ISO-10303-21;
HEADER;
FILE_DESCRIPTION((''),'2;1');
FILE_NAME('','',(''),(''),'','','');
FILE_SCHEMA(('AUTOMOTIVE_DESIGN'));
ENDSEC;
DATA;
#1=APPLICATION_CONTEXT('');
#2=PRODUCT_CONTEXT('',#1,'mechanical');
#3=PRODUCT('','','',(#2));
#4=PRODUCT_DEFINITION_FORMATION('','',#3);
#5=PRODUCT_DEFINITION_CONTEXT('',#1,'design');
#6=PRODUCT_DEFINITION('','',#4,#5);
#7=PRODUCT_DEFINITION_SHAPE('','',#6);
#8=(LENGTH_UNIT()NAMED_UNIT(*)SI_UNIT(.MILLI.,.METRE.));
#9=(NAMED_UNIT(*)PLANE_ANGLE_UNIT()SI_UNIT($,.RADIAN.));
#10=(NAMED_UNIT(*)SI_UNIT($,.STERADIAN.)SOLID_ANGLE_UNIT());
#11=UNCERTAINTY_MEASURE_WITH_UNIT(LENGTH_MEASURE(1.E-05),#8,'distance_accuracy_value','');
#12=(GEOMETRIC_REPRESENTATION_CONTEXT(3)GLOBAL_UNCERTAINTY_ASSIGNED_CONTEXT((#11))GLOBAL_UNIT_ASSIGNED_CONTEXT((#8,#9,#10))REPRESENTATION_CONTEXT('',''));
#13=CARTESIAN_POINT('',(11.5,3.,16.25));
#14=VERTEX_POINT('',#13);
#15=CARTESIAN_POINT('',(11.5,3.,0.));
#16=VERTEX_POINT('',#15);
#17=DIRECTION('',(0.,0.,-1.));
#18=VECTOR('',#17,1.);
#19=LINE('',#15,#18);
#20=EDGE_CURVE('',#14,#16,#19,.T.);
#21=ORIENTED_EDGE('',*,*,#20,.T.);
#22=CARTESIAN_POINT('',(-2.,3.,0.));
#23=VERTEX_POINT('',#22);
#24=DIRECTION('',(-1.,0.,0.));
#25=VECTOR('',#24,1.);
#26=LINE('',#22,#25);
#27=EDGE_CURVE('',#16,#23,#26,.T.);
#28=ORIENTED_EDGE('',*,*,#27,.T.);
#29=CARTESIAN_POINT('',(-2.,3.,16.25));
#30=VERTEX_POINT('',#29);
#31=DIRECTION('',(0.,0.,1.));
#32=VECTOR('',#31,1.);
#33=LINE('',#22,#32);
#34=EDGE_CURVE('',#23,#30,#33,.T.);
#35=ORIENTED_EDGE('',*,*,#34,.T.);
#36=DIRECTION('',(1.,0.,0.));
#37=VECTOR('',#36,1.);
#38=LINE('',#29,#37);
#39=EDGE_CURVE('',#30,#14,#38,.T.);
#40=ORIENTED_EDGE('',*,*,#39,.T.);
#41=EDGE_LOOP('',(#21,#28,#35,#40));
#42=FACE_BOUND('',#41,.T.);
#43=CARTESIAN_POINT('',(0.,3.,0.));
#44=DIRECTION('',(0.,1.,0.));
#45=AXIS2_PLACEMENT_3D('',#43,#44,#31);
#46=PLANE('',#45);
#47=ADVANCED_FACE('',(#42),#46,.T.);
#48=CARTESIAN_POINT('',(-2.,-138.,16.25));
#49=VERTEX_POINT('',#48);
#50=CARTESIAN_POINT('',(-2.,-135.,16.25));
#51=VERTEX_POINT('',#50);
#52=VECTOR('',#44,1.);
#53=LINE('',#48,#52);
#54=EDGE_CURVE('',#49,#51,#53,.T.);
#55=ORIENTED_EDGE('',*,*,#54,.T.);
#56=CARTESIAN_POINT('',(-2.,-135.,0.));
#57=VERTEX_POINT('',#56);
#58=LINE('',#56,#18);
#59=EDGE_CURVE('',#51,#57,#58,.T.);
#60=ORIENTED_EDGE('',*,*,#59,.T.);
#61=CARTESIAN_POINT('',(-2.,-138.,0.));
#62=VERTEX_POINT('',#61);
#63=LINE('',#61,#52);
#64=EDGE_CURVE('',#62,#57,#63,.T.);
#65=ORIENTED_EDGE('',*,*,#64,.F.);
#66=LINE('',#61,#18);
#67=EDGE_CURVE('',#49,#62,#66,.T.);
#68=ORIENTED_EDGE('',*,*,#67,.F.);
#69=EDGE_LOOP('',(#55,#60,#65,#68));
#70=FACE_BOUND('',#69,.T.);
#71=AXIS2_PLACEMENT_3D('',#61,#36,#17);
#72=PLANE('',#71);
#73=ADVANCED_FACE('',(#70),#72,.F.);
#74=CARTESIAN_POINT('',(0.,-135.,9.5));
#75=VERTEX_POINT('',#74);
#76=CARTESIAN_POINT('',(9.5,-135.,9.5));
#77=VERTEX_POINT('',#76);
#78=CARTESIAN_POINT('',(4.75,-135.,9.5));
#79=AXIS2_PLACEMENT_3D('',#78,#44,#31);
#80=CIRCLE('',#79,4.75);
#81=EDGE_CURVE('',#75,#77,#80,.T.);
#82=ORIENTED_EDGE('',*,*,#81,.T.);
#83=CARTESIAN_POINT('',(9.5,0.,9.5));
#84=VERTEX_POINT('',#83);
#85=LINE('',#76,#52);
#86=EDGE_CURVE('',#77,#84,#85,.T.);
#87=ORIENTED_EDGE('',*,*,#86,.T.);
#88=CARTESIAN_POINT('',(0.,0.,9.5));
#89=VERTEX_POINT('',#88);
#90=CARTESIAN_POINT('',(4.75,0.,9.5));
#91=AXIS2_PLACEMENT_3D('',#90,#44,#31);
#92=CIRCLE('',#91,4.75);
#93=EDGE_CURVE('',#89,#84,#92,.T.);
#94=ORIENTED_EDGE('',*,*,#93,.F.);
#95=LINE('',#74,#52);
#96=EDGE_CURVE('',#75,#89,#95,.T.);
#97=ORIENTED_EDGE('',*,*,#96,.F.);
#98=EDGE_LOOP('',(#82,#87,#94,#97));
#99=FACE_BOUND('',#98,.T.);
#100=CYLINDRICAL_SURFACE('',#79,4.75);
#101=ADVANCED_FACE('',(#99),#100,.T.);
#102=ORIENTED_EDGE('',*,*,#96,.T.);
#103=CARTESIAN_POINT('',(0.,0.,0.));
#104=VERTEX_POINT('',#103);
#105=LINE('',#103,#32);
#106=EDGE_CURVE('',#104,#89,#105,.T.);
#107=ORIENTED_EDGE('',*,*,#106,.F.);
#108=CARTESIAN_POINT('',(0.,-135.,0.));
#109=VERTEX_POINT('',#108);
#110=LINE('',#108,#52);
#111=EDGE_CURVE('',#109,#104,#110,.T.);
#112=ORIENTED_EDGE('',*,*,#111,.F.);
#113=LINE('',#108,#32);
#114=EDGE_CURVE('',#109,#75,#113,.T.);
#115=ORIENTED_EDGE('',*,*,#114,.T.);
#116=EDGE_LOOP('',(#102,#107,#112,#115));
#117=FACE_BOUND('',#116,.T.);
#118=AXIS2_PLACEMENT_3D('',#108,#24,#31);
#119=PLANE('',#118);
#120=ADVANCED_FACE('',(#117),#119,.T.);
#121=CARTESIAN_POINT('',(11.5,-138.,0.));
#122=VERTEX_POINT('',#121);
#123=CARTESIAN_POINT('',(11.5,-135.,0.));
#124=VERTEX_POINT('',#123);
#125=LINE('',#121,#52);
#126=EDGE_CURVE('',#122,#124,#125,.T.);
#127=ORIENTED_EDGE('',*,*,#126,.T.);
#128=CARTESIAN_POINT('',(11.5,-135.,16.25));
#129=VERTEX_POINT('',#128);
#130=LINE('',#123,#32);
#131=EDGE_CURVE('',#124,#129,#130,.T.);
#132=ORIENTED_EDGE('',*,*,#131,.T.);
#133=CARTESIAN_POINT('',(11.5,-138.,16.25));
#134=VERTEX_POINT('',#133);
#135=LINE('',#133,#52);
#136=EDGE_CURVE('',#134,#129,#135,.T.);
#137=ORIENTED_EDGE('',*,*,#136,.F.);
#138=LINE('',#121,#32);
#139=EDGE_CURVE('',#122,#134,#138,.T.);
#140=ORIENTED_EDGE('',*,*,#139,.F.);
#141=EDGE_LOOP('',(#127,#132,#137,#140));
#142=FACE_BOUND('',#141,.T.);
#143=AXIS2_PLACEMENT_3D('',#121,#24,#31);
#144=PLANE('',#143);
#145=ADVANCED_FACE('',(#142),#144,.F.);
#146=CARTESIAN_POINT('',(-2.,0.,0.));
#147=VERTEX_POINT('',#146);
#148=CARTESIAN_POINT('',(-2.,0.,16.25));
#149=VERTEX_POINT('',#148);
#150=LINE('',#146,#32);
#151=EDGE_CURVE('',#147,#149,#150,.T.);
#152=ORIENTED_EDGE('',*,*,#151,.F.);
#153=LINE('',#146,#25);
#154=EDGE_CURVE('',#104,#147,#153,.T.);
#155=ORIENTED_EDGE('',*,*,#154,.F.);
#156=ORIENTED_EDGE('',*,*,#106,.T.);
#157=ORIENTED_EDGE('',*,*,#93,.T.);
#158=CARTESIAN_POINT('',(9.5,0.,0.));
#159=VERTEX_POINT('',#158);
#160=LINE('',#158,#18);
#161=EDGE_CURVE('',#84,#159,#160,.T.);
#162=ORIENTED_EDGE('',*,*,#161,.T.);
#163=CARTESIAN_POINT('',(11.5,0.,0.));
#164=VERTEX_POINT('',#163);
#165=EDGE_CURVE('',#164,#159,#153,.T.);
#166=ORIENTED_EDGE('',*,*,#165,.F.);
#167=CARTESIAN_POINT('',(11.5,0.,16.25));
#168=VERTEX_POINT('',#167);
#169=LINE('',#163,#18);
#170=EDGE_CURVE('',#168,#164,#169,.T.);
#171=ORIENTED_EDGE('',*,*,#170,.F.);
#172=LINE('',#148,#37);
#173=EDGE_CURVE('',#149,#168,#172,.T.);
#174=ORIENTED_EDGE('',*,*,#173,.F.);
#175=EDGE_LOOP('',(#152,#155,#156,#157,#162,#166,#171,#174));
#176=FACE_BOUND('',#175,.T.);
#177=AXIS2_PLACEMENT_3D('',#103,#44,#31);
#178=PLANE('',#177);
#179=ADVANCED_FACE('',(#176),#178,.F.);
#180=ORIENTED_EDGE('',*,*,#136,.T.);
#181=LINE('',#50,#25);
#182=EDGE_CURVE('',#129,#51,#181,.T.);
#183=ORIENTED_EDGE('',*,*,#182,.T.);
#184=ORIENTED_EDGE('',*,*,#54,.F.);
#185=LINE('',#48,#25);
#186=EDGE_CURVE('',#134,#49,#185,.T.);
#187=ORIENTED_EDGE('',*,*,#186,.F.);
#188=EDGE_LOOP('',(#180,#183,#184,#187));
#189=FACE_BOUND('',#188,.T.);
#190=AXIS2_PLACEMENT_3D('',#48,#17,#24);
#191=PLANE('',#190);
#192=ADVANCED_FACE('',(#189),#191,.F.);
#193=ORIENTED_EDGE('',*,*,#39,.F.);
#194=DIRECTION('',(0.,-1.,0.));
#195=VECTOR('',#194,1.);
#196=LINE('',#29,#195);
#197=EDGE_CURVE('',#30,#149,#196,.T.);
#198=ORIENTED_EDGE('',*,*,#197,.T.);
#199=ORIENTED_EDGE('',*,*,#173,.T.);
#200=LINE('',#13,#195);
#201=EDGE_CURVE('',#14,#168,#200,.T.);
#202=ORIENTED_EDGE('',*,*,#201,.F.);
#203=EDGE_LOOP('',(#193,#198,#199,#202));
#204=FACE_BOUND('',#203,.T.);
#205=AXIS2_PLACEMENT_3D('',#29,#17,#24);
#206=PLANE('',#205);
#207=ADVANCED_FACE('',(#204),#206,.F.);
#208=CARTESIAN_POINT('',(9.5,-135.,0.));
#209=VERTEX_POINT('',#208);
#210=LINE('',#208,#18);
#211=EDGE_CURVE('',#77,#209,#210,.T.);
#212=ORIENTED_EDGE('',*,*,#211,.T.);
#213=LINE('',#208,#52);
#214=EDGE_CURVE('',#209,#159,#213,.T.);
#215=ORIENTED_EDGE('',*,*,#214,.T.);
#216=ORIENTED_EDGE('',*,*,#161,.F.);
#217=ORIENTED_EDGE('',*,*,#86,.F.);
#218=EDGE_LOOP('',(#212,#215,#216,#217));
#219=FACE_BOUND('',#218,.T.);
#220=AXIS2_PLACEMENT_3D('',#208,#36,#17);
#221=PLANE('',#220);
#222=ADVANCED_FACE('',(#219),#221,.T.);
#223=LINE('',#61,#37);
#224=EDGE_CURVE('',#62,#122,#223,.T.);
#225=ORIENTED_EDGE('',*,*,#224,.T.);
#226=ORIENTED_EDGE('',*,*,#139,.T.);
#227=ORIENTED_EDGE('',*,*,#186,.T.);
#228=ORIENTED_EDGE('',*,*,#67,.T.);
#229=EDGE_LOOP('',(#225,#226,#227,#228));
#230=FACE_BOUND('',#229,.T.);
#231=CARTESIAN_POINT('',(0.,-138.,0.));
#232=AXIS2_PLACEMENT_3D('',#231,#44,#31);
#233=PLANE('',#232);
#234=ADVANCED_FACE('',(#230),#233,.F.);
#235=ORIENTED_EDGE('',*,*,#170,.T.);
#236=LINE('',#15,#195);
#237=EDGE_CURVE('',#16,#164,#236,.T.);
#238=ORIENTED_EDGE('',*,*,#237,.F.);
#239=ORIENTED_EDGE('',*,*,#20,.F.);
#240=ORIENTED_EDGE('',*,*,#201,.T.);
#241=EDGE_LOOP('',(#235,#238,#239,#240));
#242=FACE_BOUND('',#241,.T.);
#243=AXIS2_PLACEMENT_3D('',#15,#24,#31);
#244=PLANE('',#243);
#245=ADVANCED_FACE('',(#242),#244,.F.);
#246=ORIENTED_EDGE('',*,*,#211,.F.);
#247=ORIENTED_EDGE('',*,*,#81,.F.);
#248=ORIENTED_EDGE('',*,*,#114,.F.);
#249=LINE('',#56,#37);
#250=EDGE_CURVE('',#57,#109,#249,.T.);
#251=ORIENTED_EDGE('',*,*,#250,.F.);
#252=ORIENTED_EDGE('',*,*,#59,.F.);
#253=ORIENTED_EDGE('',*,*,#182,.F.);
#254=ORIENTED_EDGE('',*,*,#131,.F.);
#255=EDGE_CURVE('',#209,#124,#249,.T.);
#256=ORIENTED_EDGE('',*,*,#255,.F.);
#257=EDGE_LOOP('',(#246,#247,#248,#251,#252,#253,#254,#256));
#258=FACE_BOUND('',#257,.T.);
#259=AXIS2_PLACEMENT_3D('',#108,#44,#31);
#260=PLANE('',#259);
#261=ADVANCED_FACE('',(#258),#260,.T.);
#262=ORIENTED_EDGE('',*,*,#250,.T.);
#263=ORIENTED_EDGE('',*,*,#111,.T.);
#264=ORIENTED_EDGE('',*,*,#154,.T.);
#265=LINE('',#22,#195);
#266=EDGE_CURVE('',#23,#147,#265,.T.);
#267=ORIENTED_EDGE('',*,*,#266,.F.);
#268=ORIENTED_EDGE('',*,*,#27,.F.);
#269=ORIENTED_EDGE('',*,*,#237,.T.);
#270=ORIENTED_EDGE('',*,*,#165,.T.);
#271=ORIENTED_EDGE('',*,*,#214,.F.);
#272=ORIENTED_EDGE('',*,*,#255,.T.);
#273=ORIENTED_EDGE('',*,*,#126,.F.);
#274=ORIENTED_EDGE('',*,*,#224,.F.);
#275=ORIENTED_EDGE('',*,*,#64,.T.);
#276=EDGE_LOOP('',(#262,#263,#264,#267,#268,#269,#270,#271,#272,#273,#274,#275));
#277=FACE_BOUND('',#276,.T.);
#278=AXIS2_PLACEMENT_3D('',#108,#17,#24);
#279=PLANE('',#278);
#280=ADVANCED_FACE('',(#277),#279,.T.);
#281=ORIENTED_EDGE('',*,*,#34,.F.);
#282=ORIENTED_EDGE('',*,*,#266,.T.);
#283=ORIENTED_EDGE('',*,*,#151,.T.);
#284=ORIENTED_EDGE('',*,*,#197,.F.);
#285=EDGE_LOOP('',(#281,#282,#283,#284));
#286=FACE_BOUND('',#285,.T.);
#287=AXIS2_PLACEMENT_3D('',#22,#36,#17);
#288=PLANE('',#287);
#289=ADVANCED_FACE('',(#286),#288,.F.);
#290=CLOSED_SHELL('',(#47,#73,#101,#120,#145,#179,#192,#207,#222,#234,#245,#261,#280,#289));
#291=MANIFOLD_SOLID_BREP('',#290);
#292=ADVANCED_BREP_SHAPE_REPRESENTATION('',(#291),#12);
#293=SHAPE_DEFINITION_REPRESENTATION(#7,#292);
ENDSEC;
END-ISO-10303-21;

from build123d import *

# Parameters (mm, degrees)
BOSS_EXTRUDE1_DEPTH = 135
SKETCH8_W           = 13.5
SKETCH8_H           = 16.25
BOSS_EXTRUDE4_DEPTH = 3
SKETCH9_W           = 13.5
SKETCH9_H           = 16.25
BOSS_EXTRUDE5_DEPTH = 3


with BuildPart() as part:
    # Sketch5 → Boss-Extrude1 (new body)
    with BuildSketch(Plane(origin=(0, 0, 0), x_dir=(1, 0, 0), z_dir=(0, 1, 0))):
        with BuildLine():
            Line((0, 0), (9.5, 0))
            Line((9.5, 0), (9.5, -9.5))
            ThreePointArc((9.5, -9.5), (4.75, -14.25), (0, -9.5))
            Line((0, -9.5), (0, 0))
        make_face()
    extrude(amount=-BOSS_EXTRUDE1_DEPTH)

    # Sketch8 → Boss-Extrude4 (add)
    with BuildSketch(Plane.XZ.offset(135)):
        with Locations((4.75, 8.125)):
            Rectangle(SKETCH8_W, SKETCH8_H)
    extrude(amount=BOSS_EXTRUDE4_DEPTH)

    # Sketch9 → Boss-Extrude5 (add)
    with BuildSketch(Plane(origin=(0, 0, 0), x_dir=(1, 0, 0), z_dir=(0, 1, 0))):
        with Locations((4.75, -8.125)):
            Rectangle(SKETCH9_W, SKETCH9_H)
    extrude(amount=BOSS_EXTRUDE5_DEPTH)


solid = part.part
